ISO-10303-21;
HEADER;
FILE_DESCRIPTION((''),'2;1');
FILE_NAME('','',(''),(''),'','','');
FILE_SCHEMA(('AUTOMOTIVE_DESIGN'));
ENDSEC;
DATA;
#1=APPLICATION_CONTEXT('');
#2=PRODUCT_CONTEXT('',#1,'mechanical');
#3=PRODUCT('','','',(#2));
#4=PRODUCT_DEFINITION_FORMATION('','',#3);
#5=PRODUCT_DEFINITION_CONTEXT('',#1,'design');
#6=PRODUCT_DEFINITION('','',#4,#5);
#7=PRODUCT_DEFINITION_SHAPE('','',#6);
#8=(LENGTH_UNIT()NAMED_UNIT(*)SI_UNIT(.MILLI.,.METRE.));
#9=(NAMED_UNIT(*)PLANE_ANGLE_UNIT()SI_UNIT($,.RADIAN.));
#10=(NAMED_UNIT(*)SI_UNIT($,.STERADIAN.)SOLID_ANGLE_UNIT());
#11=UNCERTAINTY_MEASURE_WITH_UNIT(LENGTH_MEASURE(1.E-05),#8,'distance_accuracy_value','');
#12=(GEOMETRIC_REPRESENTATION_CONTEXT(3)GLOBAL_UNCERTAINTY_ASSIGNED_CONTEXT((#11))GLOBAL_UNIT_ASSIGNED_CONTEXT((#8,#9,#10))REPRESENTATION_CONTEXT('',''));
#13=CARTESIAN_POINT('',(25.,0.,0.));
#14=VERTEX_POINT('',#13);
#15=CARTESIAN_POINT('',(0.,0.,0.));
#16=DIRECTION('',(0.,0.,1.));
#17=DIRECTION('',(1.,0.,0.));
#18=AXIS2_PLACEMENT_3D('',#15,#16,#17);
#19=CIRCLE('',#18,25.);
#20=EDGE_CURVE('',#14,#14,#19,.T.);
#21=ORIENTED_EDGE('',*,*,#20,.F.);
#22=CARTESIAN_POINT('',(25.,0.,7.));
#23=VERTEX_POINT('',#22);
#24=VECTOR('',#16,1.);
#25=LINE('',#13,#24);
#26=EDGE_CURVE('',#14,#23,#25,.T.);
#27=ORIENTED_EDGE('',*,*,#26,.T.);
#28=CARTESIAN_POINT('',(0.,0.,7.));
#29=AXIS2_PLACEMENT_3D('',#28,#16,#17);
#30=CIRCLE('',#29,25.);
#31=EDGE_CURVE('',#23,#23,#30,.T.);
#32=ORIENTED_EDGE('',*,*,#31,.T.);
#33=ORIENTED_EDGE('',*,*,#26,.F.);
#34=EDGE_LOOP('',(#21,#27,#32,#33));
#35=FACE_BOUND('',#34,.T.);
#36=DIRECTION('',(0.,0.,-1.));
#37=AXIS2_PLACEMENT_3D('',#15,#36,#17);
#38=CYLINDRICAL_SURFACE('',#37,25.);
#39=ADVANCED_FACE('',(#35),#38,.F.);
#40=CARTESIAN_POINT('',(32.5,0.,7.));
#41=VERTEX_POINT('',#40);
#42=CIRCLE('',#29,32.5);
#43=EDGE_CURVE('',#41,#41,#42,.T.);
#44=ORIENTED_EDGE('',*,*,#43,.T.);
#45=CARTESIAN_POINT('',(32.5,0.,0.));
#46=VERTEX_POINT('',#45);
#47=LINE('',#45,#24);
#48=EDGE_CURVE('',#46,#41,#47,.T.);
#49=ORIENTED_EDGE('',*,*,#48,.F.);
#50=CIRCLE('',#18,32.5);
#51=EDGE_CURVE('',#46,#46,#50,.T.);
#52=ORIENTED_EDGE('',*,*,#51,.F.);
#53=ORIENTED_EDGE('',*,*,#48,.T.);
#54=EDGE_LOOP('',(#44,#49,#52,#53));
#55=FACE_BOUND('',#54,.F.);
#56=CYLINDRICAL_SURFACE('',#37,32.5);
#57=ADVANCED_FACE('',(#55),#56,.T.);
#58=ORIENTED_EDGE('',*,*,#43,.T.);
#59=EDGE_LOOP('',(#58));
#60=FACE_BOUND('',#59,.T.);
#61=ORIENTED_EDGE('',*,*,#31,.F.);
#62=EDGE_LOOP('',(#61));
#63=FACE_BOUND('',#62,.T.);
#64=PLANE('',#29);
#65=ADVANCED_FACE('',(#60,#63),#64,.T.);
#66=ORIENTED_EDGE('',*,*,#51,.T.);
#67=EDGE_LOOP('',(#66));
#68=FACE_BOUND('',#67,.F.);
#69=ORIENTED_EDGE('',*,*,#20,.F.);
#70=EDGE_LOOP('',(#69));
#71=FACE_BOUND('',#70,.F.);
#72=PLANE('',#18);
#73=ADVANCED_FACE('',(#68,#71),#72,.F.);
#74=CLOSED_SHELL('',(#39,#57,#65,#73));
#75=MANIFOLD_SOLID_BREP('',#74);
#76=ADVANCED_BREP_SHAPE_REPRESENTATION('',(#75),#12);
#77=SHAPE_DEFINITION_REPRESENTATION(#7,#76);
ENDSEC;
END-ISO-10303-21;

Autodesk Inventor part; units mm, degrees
ref_plane "YZ Plane" through (0, 0, 0) normal (1, 0, 0) x (0, 1, 0)
ref_plane "XZ Plane" through (0, 0, 0) normal (0, 1, 0) x (-1, 0, 0)
ref_plane "XY Plane" through (0, 0, 0) normal (0, 0, 1) x (1, 0, 0)
sketch "Sketch1" plane through (0, 0, 0) normal (0, 0, 1) x (1, 0, 0)
  circle A0 centre (0, 0) radius 25
  circle A1 centre (0, 0) radius 32.5
  dimension "d0" = 65
  dimension "d1" = 50
extrude "Extrusion1" add sketch "Sketch1" along normal blind 7
properties part number "Bearing"
